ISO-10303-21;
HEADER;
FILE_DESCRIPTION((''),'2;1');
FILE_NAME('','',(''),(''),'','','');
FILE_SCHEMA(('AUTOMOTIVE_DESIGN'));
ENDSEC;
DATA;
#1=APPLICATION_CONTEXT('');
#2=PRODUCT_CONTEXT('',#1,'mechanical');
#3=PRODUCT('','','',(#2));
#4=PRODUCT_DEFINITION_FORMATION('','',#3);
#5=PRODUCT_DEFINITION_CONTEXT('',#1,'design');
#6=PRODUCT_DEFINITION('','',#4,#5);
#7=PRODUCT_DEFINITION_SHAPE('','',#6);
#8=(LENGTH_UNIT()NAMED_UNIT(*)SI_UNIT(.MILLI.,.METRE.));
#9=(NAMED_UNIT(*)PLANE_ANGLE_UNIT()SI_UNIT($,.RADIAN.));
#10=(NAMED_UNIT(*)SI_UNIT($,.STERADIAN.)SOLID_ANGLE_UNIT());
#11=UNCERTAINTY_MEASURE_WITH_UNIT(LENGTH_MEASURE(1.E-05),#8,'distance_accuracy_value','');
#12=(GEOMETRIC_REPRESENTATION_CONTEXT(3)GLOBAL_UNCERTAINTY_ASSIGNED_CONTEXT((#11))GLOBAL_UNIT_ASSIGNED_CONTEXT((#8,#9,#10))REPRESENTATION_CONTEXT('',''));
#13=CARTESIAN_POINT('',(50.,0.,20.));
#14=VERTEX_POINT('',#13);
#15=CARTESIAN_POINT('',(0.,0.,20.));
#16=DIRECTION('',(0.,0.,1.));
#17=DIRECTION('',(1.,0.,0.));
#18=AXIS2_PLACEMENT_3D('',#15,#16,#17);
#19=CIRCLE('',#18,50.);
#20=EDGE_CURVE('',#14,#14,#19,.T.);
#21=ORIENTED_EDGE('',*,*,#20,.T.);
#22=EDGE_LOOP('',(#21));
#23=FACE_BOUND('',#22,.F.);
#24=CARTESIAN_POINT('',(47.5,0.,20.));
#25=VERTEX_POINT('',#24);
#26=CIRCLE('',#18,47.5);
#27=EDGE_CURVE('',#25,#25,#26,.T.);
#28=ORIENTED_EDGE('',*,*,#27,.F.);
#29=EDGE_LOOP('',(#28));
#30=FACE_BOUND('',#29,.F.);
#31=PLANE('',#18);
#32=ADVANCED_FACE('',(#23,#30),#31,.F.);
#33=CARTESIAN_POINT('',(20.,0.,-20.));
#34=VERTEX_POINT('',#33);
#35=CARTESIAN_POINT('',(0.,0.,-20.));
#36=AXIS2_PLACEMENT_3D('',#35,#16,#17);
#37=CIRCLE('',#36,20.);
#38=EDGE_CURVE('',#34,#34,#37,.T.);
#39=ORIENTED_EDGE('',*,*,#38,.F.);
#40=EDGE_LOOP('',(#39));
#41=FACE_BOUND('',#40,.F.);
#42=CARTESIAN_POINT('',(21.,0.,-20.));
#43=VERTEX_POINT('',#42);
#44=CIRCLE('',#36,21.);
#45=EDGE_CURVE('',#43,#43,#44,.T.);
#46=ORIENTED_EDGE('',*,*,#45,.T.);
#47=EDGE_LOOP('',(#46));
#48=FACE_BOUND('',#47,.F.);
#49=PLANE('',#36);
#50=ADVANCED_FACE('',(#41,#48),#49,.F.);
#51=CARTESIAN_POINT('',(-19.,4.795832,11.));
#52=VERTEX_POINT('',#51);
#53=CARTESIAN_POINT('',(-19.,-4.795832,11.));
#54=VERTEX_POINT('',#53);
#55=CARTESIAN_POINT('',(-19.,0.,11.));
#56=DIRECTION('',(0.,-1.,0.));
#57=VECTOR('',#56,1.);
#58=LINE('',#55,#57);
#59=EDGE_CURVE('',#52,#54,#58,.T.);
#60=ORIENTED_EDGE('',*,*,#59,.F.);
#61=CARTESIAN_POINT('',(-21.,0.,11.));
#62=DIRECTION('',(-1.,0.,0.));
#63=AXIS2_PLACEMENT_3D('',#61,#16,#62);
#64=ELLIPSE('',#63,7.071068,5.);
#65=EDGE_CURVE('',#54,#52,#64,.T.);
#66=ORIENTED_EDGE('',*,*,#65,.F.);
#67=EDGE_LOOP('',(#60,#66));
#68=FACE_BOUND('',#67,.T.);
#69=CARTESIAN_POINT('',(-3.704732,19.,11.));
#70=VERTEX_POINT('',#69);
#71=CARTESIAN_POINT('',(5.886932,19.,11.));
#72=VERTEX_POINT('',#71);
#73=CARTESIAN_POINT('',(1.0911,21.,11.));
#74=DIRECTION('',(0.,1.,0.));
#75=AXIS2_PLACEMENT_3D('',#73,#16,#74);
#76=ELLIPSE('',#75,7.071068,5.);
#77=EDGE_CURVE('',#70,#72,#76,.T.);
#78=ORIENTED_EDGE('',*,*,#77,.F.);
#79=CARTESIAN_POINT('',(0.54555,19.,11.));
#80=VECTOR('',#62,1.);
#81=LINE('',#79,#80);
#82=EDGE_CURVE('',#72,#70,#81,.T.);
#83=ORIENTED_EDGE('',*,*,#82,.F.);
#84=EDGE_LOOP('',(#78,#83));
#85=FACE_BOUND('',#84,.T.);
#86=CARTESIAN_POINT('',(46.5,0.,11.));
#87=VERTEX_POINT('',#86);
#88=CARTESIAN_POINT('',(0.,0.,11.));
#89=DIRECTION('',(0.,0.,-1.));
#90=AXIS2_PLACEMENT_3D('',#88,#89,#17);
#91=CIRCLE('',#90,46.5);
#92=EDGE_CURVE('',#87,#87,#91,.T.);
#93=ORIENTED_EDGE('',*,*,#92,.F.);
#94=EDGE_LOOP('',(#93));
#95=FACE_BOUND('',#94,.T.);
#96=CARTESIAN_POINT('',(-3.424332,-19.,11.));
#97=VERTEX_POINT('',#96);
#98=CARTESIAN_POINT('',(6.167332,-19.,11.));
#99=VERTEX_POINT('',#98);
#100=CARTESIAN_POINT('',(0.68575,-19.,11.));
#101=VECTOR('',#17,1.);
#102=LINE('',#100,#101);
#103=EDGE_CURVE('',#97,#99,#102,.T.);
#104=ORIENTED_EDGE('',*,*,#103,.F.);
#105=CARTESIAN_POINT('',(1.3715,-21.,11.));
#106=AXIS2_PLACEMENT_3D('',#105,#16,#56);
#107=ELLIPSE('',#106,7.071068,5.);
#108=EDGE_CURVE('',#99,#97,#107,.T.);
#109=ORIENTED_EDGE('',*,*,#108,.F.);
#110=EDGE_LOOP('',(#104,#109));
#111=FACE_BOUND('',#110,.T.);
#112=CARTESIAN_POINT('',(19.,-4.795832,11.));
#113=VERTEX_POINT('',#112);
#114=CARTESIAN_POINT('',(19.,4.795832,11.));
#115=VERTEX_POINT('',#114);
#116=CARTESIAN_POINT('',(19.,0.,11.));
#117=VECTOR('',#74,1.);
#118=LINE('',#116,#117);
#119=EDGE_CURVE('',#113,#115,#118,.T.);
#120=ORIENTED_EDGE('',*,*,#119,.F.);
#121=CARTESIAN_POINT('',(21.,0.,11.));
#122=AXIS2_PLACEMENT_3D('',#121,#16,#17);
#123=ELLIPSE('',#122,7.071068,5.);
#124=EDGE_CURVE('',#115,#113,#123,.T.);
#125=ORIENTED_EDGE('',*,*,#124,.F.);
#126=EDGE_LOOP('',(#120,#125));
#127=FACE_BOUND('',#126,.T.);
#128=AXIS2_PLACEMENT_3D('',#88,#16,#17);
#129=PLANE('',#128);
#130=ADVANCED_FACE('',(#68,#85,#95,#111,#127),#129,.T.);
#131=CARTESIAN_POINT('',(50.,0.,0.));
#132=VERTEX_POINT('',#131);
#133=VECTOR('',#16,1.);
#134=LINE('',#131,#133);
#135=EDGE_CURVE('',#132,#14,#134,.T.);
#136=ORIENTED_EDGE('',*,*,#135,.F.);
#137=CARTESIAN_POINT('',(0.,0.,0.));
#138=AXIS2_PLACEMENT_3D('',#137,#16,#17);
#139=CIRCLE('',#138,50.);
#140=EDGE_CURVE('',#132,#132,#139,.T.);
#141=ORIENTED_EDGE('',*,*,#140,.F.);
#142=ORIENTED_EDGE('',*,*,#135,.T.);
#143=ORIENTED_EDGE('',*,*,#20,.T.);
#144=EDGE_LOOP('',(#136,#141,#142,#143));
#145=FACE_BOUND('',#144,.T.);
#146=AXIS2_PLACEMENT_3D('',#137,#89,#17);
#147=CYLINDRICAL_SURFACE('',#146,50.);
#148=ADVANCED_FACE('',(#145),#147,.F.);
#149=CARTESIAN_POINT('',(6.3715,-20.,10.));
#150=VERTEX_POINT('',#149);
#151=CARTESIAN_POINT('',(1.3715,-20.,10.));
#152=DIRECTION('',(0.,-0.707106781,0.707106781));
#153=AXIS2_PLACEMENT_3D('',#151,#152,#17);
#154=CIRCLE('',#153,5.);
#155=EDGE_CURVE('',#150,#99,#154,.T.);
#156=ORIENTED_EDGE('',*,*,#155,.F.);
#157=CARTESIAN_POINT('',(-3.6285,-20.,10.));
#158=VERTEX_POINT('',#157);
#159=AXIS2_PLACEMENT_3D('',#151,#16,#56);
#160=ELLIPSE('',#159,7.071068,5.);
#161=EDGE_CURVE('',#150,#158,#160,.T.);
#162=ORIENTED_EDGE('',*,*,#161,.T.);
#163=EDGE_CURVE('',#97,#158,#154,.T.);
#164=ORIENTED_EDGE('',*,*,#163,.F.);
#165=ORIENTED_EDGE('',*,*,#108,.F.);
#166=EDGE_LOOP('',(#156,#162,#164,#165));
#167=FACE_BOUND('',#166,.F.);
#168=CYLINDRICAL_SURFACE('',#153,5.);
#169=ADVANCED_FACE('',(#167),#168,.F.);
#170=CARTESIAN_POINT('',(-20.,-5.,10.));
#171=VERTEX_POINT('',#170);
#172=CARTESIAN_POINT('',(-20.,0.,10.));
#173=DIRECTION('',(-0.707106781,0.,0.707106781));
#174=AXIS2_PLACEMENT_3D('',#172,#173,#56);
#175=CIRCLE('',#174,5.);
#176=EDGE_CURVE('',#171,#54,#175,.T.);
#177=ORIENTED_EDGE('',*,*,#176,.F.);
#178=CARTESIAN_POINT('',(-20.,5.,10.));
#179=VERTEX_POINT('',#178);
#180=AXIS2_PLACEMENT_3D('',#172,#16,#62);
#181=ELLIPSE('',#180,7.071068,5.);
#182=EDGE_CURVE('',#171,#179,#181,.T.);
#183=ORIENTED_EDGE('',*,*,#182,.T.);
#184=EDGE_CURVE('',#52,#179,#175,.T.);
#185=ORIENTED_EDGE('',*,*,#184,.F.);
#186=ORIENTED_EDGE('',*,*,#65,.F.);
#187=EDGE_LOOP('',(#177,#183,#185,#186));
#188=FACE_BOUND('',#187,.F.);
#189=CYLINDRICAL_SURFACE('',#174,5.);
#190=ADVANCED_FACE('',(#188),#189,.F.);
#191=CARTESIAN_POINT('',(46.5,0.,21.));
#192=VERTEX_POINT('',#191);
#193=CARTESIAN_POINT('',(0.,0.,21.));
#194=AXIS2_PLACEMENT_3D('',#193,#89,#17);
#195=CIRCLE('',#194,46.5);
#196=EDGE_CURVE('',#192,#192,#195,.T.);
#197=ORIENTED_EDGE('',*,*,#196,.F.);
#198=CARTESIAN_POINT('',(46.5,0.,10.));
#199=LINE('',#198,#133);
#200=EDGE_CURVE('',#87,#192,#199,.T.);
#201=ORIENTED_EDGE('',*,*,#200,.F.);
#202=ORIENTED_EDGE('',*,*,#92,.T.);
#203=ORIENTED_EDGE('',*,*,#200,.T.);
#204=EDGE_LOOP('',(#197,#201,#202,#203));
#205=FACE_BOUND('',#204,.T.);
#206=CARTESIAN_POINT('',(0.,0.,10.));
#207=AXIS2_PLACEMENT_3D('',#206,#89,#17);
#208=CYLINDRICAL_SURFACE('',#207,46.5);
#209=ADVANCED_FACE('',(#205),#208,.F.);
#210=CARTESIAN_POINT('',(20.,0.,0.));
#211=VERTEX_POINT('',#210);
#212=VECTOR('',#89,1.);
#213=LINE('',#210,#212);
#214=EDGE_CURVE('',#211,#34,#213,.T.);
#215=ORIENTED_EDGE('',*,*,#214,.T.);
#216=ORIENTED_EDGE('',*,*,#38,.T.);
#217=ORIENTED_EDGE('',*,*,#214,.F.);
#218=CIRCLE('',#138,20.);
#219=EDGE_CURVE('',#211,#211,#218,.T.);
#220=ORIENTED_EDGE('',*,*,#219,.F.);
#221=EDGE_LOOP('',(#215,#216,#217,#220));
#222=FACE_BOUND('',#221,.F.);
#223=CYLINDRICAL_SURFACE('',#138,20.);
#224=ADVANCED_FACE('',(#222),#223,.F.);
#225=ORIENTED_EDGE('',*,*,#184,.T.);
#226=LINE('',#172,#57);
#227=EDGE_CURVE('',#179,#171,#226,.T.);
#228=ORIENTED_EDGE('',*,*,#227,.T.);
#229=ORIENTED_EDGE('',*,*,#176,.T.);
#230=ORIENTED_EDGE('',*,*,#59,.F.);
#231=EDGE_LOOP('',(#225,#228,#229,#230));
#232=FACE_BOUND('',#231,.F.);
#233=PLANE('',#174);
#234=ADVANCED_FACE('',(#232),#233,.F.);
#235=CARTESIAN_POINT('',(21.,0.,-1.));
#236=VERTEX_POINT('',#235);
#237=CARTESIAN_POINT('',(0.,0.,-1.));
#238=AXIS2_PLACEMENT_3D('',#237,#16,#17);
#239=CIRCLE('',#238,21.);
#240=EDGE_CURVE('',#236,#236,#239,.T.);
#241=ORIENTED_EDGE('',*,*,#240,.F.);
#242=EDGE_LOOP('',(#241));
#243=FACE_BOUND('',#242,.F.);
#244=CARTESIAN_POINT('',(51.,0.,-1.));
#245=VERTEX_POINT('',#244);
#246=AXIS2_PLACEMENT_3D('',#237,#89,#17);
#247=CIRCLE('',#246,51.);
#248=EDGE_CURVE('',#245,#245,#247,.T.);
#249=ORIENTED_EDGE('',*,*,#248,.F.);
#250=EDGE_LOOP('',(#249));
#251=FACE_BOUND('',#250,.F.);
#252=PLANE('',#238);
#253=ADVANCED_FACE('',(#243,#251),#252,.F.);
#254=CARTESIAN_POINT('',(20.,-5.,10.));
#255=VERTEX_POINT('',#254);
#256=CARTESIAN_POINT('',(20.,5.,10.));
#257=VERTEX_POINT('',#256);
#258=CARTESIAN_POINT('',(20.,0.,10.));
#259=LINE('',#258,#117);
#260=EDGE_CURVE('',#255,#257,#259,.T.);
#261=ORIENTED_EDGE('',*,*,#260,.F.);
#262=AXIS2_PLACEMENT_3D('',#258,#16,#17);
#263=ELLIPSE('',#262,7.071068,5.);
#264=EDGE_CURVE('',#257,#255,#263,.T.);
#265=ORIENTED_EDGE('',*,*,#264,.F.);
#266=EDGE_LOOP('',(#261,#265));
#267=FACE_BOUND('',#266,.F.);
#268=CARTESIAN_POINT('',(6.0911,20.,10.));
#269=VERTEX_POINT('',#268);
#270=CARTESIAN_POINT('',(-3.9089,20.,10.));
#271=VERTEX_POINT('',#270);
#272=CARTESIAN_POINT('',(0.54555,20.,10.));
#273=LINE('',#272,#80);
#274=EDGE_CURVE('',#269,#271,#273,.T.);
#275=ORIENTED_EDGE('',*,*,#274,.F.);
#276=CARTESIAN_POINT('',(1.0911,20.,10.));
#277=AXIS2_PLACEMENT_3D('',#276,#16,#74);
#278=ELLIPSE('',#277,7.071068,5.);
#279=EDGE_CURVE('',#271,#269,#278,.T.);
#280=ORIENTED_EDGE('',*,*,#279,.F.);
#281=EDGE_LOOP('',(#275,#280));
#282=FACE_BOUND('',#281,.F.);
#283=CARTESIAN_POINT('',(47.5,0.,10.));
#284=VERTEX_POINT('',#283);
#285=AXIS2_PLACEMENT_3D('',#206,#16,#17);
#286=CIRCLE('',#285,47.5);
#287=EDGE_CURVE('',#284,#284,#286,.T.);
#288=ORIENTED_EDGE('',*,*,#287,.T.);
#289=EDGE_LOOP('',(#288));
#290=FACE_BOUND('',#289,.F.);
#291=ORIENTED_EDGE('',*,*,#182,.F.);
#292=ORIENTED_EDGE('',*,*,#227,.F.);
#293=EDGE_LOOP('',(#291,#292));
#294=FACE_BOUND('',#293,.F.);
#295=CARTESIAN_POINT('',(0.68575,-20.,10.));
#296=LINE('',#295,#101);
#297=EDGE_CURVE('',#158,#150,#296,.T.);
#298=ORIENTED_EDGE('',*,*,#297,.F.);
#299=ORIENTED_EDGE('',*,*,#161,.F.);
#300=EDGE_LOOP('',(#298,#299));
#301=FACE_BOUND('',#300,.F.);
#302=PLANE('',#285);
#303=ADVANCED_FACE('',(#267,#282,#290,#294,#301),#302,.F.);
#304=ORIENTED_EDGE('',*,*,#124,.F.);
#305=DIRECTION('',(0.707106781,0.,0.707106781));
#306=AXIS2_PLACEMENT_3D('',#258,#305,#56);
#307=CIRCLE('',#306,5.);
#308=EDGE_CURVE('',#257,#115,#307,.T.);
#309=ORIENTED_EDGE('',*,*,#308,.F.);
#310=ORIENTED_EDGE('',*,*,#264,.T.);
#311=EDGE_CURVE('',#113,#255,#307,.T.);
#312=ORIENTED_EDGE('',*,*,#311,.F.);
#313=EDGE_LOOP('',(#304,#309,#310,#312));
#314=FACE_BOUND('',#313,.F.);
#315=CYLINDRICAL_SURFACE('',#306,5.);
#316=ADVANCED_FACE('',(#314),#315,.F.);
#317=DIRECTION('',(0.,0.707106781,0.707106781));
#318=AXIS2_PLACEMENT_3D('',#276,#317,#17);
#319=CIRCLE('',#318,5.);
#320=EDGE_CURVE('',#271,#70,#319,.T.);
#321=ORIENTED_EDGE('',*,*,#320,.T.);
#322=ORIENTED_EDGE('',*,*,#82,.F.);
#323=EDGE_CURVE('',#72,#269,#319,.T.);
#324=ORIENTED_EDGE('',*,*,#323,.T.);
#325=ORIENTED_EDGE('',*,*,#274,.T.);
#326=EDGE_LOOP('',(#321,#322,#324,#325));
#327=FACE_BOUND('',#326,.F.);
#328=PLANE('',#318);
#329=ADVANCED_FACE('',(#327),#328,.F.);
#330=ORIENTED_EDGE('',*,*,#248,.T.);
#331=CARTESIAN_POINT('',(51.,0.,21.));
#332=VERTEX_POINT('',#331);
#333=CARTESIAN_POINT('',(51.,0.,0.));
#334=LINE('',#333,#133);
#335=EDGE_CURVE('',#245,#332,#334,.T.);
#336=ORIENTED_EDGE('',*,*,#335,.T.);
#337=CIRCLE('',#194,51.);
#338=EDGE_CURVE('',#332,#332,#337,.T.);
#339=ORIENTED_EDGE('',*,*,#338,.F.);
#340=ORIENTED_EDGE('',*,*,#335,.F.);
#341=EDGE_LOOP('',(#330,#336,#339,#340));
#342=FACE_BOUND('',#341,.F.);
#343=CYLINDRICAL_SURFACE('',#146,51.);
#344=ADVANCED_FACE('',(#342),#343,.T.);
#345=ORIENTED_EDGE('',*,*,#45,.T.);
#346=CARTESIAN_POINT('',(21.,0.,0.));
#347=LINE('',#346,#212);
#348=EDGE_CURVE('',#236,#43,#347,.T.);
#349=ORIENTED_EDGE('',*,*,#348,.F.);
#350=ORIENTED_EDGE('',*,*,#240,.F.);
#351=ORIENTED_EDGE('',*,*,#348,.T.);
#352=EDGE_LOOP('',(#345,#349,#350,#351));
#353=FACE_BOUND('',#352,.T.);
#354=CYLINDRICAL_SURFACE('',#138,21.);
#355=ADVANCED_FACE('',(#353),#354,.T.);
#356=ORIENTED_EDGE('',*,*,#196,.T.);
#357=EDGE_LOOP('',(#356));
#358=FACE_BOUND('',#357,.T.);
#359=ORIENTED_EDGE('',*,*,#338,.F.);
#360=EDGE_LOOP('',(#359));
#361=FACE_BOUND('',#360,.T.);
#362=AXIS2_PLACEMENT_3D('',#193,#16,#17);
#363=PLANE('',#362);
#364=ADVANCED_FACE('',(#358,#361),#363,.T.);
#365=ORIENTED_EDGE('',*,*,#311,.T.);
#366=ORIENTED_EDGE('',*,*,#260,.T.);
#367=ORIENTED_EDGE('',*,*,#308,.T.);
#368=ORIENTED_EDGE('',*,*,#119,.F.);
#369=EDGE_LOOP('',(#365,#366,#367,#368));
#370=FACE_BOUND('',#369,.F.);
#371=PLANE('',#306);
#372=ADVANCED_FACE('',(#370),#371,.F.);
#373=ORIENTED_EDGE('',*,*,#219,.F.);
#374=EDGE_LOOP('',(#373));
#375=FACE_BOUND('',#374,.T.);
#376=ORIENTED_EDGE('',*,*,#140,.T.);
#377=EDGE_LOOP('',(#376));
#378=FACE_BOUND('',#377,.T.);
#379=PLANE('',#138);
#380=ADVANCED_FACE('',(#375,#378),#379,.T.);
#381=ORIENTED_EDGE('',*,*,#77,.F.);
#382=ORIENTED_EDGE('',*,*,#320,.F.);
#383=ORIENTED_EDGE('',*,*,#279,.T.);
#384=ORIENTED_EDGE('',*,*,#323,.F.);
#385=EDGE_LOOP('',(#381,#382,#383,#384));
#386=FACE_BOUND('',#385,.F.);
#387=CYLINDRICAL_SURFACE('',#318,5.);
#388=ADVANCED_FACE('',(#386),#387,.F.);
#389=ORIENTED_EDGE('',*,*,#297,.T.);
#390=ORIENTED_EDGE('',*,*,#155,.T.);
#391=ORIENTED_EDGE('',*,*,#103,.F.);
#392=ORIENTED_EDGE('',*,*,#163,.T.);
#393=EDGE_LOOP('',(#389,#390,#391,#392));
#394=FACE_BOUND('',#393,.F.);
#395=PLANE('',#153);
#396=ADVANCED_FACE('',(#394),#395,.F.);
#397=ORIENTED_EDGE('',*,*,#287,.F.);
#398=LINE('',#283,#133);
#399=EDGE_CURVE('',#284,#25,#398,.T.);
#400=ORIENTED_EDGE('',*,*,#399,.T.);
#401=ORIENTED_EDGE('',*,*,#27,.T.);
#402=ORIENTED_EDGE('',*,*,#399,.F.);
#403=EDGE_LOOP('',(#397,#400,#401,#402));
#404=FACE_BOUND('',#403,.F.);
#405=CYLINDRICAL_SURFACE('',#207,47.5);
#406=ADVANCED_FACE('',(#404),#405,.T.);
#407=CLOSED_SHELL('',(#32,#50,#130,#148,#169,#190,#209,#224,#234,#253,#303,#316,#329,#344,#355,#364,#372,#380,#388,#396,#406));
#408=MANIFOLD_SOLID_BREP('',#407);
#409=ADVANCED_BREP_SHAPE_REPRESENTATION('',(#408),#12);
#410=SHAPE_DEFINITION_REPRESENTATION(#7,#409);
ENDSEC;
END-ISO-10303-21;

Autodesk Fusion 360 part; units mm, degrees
sketch "Sketch1" plane through (0, 0, 0) normal (0, 0, 1) x (1, 0, 0)
  circle A0 centre (0, 0) radius 50
extrude "Extrude1" add sketch "Sketch1" along normal blind 20
ref_plane "WorkPlane1" through (0, 0, 10) normal (0, 0, 1) x (1, 0, 0)
sketch "Sketch2" plane through (0, 0, 10) normal (0, 0, 1) x (1, 0, 0)
  circle A0 centre (0, 0) radius 47.5
extrude "Extrude2" cut sketch "Sketch2" along normal blind 10
sketch "Sketch3" plane through (0, 0, 0) normal (0, 0, 1) x (1, 0, 0)
  circle A0 centre (0, 0) radius 20
extrude "Extrude3" add sketch "Sketch3" against normal blind 20
sketch "Sketch4" plane through (0, 0, -20) normal (0, 0, -1) x (1, 0, 0)
  circle A0 centre (0, 0) radius 20
shell "Shell1" thickness 1 outward yes removed faces 1 at (6.3705, -1.965, -20)
sketch "Sketch5" plane through (0, 0, 10) normal (0, 0, 1) x (1, 0, 0)
  line L0 (0, 0) -> (20, 0)
  line L1 (0, 0) -> (0, 20)
  line L2 (0, 0) -> (-20, 0)
  line L3 (0, 0) -> (0, -20)
  line L4 (-10, 20) -> (12.1822, 20)
  line L5 (-10, -20) -> (12.7429, -20)
  line L6 (-20, 10) -> (-20, -10)
  line L7 (20, 10) -> (20, -10)
ref_plane "WorkPlane2" through (-20, 0, 10) normal (-0.7071, 0, 0.7071) x (0, -1, 0)
sketch "Sketch6" plane through (-20, 0, 10) normal (-0.7071, 0, 0.7071) x (0, -1, 0)
  circle A0 centre (0, 0) radius 5
  dimension "d17" = 10
extrude "Extrude4" cut sketch "Sketch6" against normal blind 10
ref_plane "WorkPlane3" through (1.3715, -20, 10) normal (0, -0.7071, 0.7071) x (1, 0, 0)
sketch "Sketch7" plane through (0, 0, 10) normal (0, 0, 1) x (1, 0, 0)
sketch "Sketch8" plane through (1.3715, -20, 10) normal (0, -0.7071, 0.7071) x (1, 0, 0)
  circle A0 centre (0, 0) radius 5
  dimension "d21" = 10
extrude "Extrude5" cut sketch "Sketch8" against normal blind 30
ref_plane "WorkPlane4" through (20, 0, 10) normal (0.7071, 0, 0.7071) x (0, -1, 0)
sketch "Sketch9" plane through (20, 0, 10) normal (0.7071, 0, 0.7071) x (0, -1, 0)
  circle A0 centre (0, 0) radius 5
  dimension "d25" = 10
ref_plane "WorkPlane5" through (1.0911, 20, 10) normal (0, 0.7071, 0.7071) x (1, 0, 0)
sketch "Sketch10" plane through (1.0911, 20, 10) normal (0, 0.7071, 0.7071) x (1, 0, 0)
  circle A0 centre (0, 0) radius 5
  dimension "d27" = 10
extrude "Extrude6" cut sketch "Sketch9" against normal blind 20
extrude "Extrude7" cut sketch "Sketch10" against normal blind 10
